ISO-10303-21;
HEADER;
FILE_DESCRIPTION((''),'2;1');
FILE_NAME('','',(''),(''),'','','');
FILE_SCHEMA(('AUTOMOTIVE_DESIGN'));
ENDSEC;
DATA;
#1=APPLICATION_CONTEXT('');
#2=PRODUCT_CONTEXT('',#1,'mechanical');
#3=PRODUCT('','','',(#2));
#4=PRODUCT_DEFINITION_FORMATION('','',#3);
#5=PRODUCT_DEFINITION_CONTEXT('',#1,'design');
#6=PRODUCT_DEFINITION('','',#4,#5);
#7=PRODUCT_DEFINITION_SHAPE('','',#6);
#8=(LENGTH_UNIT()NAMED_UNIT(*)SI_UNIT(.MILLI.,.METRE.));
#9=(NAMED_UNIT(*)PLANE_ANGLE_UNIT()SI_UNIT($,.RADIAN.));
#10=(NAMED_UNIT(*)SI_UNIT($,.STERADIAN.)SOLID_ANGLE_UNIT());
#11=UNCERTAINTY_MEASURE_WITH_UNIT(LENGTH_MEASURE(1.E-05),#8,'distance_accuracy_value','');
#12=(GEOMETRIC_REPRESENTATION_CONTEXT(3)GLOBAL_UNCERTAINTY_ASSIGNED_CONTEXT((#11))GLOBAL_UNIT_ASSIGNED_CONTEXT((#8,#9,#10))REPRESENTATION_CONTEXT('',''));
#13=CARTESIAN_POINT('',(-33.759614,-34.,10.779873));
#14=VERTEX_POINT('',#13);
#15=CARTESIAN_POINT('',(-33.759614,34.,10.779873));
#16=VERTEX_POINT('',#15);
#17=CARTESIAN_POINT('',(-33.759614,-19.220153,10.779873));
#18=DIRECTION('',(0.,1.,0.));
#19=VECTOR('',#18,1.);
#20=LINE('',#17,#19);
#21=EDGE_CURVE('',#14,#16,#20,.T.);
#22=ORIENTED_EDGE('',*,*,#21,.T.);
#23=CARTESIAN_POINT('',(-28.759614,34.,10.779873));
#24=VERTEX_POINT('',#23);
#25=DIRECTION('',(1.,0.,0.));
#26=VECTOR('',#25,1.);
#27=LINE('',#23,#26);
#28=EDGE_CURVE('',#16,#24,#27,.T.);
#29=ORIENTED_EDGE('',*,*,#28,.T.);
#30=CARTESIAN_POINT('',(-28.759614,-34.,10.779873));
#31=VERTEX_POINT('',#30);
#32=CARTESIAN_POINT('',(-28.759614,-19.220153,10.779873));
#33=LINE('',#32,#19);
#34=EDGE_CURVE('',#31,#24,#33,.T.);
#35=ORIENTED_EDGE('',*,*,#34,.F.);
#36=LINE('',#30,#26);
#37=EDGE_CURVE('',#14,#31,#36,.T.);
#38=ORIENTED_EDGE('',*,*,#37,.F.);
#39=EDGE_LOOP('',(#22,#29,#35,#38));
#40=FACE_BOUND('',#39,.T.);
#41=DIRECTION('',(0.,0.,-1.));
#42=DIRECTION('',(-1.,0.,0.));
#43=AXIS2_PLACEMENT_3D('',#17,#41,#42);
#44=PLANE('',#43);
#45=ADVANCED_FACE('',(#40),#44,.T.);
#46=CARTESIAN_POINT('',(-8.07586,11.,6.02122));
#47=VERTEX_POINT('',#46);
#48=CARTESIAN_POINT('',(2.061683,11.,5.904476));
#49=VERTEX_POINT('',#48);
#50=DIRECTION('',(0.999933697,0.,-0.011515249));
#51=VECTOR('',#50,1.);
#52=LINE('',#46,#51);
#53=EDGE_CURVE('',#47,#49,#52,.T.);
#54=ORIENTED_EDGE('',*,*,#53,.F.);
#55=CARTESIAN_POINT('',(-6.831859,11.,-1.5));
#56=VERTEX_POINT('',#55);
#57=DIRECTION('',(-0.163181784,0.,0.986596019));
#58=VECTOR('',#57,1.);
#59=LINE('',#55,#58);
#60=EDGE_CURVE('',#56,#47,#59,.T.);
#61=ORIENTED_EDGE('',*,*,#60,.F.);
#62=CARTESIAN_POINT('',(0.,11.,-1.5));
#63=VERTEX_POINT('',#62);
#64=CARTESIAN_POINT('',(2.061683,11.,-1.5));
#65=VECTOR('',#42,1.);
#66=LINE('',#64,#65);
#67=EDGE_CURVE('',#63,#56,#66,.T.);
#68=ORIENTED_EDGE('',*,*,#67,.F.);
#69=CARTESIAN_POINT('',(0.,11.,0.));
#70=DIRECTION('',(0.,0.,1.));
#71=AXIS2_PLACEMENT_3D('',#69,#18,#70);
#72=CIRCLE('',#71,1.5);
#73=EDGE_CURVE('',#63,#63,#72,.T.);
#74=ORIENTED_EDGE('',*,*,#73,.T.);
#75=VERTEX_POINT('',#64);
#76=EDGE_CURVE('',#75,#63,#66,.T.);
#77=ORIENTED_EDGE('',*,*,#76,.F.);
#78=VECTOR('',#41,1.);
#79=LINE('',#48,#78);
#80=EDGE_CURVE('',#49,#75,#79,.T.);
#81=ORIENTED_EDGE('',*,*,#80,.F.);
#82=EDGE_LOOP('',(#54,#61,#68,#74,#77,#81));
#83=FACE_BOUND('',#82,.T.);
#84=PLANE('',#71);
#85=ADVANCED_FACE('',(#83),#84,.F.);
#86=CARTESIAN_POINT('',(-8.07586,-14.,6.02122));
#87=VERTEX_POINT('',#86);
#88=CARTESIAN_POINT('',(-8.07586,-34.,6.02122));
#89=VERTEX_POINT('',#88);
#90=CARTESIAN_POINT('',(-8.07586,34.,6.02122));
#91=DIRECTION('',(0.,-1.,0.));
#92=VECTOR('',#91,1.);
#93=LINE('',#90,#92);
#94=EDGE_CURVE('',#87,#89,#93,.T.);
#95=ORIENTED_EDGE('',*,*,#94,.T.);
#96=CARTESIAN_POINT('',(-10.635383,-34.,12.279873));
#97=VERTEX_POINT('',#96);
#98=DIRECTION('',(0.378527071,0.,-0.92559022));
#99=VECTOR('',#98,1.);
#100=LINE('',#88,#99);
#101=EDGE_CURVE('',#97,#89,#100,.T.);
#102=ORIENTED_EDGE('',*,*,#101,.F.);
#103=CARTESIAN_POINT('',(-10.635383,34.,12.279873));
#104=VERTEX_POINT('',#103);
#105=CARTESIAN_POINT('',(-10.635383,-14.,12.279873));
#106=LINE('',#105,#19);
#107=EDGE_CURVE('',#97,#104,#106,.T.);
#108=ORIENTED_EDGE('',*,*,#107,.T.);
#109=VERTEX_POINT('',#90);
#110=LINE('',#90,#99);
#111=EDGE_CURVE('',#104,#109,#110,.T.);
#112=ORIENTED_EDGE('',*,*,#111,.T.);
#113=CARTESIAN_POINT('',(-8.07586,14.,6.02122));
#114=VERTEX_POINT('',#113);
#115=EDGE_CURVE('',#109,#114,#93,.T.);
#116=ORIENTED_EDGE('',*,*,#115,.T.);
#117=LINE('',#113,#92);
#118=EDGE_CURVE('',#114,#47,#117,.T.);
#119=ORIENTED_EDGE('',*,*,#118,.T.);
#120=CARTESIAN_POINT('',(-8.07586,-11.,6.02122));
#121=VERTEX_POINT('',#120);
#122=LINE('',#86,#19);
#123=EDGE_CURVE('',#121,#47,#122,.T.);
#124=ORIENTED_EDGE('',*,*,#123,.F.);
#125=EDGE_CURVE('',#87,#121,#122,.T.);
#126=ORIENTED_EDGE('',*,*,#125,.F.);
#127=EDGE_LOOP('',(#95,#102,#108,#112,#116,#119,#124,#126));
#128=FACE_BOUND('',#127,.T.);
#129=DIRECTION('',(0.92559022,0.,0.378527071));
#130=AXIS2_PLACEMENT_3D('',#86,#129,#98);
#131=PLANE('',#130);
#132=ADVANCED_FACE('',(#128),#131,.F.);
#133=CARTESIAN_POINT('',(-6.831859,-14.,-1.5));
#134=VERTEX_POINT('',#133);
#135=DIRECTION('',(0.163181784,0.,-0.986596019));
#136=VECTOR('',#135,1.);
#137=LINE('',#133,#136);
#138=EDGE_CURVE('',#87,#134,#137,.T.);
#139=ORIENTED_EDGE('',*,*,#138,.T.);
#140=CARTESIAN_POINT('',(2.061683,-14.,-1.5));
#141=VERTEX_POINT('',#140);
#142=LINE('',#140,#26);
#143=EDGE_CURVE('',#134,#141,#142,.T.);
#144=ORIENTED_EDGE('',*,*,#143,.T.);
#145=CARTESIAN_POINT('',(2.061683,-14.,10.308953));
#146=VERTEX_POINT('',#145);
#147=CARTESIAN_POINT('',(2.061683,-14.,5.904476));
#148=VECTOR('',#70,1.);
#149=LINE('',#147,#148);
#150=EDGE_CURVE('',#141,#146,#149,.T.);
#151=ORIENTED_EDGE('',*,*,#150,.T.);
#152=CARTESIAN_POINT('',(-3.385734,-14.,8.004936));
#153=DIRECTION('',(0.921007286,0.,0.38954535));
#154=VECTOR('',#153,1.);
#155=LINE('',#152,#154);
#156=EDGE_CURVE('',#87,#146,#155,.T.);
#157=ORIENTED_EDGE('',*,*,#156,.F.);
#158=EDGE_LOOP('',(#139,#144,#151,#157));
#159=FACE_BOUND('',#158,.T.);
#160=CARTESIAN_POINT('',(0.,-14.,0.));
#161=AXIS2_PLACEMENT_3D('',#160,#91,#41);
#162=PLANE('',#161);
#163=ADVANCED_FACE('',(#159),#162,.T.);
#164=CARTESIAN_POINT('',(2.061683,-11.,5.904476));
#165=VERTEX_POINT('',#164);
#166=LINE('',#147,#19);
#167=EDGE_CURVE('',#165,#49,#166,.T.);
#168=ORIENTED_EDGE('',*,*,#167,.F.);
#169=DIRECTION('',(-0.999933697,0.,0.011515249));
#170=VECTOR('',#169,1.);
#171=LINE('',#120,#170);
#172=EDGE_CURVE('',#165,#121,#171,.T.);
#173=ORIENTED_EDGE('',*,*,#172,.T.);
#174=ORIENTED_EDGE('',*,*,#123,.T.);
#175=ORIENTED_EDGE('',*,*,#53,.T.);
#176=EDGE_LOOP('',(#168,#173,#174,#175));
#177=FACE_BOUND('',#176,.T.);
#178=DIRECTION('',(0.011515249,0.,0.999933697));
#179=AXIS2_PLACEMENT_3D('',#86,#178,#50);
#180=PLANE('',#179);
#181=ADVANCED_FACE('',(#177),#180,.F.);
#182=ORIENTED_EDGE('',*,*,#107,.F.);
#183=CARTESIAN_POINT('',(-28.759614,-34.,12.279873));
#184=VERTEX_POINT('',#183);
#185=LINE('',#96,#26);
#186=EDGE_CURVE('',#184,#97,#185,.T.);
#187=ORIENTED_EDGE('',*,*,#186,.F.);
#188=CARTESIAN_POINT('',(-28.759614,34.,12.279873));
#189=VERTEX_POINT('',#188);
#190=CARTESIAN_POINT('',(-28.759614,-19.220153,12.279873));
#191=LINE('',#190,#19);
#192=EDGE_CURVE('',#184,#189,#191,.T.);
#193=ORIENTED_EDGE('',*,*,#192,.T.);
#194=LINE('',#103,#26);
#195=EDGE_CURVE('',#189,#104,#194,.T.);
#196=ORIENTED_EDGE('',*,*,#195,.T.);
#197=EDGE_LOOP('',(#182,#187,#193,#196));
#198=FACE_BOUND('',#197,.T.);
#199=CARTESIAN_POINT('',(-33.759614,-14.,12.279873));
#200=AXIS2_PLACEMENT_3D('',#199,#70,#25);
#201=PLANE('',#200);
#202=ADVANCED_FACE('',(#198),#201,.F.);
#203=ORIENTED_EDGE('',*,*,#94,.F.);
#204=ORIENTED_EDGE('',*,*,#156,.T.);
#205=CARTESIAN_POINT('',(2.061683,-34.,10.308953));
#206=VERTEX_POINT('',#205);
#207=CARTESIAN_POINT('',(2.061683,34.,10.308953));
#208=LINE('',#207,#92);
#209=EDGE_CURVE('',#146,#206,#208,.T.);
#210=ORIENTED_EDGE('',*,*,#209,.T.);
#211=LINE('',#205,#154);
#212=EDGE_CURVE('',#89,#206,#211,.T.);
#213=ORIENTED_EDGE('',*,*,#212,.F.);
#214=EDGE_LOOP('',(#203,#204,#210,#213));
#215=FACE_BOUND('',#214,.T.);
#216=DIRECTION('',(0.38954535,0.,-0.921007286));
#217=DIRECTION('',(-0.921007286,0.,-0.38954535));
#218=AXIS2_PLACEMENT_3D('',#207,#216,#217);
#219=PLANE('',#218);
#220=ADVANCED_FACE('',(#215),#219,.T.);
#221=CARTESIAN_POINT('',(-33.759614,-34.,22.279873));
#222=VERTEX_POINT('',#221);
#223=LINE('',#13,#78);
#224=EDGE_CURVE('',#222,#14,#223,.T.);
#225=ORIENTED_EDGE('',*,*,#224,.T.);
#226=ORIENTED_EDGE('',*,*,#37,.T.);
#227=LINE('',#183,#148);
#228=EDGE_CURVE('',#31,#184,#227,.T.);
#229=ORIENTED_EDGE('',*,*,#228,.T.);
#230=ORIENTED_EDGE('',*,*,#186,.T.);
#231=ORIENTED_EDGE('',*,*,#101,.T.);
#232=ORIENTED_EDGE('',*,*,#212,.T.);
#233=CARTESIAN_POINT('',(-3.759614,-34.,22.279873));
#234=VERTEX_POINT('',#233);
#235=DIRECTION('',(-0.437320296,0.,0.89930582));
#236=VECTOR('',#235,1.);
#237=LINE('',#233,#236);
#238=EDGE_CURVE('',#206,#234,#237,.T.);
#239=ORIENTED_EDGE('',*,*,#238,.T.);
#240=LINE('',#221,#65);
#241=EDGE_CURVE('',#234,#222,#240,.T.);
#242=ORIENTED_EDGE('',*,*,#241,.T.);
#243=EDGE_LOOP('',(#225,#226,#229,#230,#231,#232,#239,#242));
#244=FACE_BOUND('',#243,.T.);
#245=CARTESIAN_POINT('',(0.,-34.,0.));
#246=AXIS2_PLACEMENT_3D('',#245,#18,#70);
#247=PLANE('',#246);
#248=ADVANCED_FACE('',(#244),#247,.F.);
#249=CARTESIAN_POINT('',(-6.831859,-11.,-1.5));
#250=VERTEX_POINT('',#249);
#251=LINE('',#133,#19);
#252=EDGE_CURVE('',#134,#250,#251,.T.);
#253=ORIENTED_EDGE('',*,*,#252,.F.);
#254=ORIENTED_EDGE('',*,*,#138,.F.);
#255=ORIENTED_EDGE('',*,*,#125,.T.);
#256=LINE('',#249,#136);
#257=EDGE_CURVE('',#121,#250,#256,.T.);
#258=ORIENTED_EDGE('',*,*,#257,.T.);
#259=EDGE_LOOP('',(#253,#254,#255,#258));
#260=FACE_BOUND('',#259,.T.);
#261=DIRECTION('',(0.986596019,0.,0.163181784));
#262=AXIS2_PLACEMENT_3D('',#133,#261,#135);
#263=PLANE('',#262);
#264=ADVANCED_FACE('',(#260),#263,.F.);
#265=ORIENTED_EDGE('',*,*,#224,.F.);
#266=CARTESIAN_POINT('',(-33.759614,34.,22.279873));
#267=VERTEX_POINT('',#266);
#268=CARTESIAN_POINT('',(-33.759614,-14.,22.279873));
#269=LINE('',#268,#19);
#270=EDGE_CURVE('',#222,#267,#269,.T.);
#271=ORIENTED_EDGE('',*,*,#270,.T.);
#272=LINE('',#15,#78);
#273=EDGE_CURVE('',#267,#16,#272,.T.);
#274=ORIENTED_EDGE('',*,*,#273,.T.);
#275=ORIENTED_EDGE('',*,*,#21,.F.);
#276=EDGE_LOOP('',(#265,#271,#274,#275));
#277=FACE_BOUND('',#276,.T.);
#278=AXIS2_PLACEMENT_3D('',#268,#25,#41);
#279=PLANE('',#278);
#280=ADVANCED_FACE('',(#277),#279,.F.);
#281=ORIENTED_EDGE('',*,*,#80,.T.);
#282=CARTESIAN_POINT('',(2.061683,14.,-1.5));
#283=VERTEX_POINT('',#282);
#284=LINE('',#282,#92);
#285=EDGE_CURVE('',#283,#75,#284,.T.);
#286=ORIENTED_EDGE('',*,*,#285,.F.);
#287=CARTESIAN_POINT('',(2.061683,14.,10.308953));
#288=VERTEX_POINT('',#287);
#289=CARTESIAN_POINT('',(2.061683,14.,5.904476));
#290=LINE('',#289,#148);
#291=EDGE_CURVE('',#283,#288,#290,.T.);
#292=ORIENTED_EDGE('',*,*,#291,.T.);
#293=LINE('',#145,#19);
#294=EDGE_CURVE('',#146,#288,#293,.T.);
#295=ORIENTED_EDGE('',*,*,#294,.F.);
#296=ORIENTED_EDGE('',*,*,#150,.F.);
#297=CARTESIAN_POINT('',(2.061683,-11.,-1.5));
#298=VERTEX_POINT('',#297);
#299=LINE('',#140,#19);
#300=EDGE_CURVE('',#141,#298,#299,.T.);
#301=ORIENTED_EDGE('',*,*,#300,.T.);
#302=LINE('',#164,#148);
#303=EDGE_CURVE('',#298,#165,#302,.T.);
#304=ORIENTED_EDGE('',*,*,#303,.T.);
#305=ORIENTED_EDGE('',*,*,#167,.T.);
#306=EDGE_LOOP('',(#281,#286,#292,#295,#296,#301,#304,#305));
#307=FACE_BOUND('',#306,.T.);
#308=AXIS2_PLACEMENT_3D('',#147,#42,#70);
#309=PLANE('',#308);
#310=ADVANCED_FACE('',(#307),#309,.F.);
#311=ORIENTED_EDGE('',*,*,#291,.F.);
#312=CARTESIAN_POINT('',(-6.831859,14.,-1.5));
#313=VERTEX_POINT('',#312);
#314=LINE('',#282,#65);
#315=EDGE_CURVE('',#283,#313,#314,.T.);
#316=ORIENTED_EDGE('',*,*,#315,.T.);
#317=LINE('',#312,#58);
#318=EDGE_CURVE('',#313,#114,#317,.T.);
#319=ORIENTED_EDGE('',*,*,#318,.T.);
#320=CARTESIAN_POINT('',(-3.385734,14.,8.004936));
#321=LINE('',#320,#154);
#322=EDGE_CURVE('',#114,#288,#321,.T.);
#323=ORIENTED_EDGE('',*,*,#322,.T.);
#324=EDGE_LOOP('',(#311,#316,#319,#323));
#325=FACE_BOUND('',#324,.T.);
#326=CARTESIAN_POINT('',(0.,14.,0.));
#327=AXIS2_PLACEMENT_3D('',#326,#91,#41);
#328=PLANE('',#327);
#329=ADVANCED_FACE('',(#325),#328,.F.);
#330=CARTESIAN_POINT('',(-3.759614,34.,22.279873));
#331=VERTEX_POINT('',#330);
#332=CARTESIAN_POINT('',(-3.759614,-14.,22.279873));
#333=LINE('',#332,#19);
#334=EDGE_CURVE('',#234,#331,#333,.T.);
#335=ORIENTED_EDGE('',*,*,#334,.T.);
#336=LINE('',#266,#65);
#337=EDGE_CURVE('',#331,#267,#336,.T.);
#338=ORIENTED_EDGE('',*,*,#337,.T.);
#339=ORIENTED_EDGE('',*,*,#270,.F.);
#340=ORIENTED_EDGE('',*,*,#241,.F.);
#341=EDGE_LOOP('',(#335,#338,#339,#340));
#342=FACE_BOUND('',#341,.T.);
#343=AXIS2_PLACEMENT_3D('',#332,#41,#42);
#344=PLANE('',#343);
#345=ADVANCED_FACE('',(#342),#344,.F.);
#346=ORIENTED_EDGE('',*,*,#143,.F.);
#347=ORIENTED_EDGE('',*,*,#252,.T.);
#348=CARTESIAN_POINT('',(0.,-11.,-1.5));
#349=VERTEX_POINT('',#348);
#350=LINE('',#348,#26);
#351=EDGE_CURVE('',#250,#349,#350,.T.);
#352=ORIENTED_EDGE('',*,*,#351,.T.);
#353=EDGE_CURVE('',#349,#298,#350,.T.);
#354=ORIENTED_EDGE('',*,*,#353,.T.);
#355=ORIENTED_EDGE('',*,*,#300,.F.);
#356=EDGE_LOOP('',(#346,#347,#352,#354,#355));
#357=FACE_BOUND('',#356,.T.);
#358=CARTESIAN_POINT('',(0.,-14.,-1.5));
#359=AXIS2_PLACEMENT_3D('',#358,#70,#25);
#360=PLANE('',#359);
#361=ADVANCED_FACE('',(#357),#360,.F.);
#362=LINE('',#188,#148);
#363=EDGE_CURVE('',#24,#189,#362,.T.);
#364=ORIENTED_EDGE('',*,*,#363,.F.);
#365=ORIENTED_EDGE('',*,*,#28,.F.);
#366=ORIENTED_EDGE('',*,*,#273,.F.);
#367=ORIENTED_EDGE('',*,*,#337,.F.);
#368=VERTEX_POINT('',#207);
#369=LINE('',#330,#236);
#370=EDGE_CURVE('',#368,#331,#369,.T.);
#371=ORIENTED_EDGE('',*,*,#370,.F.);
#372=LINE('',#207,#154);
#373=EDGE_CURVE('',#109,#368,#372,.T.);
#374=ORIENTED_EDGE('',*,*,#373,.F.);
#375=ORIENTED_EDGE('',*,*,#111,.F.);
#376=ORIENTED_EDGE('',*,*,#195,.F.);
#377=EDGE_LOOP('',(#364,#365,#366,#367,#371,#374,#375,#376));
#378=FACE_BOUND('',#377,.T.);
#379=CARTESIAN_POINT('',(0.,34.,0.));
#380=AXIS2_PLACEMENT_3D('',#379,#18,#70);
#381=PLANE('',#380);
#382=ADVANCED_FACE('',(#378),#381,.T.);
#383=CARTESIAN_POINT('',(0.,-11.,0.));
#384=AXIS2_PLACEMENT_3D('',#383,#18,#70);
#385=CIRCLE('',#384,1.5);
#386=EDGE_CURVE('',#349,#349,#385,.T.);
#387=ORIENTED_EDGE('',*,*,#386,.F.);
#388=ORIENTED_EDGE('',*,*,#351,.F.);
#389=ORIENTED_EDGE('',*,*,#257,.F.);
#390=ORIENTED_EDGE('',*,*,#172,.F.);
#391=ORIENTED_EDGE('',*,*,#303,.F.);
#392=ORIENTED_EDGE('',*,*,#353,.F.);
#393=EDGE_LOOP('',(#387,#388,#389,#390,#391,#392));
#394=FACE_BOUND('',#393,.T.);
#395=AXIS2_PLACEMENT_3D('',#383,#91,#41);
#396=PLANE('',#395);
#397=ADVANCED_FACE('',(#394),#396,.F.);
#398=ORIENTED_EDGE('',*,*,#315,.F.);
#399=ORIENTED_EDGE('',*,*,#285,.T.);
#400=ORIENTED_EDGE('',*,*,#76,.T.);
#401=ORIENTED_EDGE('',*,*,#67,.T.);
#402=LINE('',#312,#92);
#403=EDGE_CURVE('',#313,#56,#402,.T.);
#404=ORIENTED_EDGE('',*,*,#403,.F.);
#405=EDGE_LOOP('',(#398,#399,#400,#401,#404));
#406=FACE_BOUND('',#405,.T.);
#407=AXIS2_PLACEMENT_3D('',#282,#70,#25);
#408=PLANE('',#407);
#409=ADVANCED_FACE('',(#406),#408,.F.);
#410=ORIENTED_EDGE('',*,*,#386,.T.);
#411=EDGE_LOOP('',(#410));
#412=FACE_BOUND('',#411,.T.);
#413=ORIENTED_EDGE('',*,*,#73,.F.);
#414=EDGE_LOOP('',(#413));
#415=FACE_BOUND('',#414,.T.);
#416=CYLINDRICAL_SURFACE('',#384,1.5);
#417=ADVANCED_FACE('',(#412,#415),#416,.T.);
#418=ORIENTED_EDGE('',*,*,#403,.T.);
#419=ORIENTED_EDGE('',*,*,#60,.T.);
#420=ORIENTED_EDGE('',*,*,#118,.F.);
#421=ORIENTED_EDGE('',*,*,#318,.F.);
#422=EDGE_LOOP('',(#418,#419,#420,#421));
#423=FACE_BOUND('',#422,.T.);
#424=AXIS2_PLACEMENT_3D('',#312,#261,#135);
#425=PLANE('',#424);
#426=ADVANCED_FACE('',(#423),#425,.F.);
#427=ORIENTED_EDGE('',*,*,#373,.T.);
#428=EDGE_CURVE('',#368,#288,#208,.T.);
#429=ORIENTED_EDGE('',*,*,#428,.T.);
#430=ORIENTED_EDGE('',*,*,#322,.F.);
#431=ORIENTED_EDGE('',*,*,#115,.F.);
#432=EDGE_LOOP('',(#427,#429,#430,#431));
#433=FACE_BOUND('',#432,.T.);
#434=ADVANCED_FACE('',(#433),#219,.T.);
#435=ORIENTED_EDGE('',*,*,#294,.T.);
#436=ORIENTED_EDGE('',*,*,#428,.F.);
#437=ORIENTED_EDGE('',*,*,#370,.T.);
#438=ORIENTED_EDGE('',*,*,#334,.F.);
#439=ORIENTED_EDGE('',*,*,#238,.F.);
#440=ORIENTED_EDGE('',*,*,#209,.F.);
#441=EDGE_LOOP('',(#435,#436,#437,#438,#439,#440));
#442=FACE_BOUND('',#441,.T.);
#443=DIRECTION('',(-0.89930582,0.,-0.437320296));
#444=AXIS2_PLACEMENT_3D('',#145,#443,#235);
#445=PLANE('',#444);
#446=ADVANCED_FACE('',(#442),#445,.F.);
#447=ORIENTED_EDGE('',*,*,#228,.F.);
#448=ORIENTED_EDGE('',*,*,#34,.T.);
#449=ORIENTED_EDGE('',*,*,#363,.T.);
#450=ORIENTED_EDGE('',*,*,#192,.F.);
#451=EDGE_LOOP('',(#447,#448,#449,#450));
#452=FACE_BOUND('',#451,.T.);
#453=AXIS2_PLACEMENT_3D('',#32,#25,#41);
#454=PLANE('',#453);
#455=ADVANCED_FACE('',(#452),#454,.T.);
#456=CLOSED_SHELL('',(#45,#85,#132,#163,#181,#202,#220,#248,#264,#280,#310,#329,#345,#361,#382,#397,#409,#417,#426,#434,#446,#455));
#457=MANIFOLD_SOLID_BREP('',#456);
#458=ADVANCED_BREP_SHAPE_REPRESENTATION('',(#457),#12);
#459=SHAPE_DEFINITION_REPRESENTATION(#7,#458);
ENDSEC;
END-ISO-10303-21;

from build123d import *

# Parameters (mm, degrees)
BOSS_EXTRU_1_DEPTH      = 11
BOSS_EXTRU_1_DEPTH_BACK = 11
ESQUISSE1_R             = 1.5
BOSS_EXTRU_3_DEPTH      = 3
BOSS_EXTRU_3_DEPTH_BACK = 25
BOSS_EXTRU_4_DEPTH      = 3
BOSS_EXTRU_5_DEPTH      = 3
ESQUISSE5_W             = 5
ESQUISSE5_H             = 2
ENL_V_MAT_EXTRU_1_DEPTH = 39
ESQUISSE6_W             = 5
ESQUISSE6_H             = 1.5
BOSS_EXTRU_6_DEPTH      = 28
BOSS_EXTRU_7_DEPTH      = 20
BOSS_EXTRU_7_DEPTH_BACK = 48


with BuildPart() as part:
    # Esquisse1 → Boss.-Extru.1 (new, two sides: drawn at the far end of the back side and taken through both)
    with BuildSketch(Plane(origin=(0, 0, 0), x_dir=(1, 0, 0), z_dir=(0, 1, 0)).offset(-BOSS_EXTRU_1_DEPTH_BACK)):
        with Locations(Location((0, 0, 0), (0, 0, 270))):
            Circle(ESQUISSE1_R)
    extrude(amount=BOSS_EXTRU_1_DEPTH + BOSS_EXTRU_1_DEPTH_BACK)



with BuildPart() as body_2:
    # Esquisse2 → Boss.-Extru.3 (new, two sides: drawn at the far end of the back side and taken through both)
    with BuildSketch(Plane.XZ.offset(11).offset(-BOSS_EXTRU_3_DEPTH_BACK)):
        Polygon((2.061683226, 10.308952687), (-3.759613912, 22.279872949), (-33.759613912, 22.279872949), (-33.759613912, 12.279872949), (-28.759613912, 12.279872949), (-28.759613912, 10.279872949), (-23.759613912, 10.279872949), (-23.759613912, 12.279872949), (-10.635382522, 12.279872949), (-8.075859571, 6.021220419), (2.061683226, 5.904476344), align=None)
    extrude(amount=BOSS_EXTRU_3_DEPTH + BOSS_EXTRU_3_DEPTH_BACK)


with BuildPart() as part_1:
    add(part.part)

    add(body_2.part)  # Boss.-Extru.4 merges body 2
    # Esquisse3 → Boss.-Extru.4 (add)
    with BuildSketch(Plane.XZ.offset(11)):
        Polygon((0, -1.5), (-6.831858839, -1.5), (-8.075859571, 6.021220419), (2.061683226, 5.904476344), (2.061683226, -1.5), align=None)
    extrude(amount=BOSS_EXTRU_4_DEPTH)

    # Esquisse4 → Boss.-Extru.5 (add)
    with BuildSketch(Plane(origin=(0, 11, 0), x_dir=(1, 0, 0), z_dir=(0, 1, 0))):
        Polygon((2.061683226, 1.5), (-6.831858839, 1.5), (-8.075859571, -6.021220419), (2.061683226, -5.904476344), align=None)
    extrude(amount=BOSS_EXTRU_5_DEPTH)

    # Esquisse5 → Enlèv. mat.-Extru.1 (cut)
    with BuildSketch(Plane(origin=(0, 14, 0), x_dir=(1, 0, 0), z_dir=(0, 1, 0))):
        with Locations((-26.259613912, -11.279872949)):
            Rectangle(ESQUISSE5_W, ESQUISSE5_H)
    extrude(amount=-ENL_V_MAT_EXTRU_1_DEPTH, mode=Mode.SUBTRACT)

    # Esquisse6 → Boss.-Extru.6 (add)
    with BuildSketch(Plane(origin=(0, 14, 0), x_dir=(1, 0, 0), z_dir=(0, 1, 0))):
        with Locations((-31.259613912, -11.529872949)):
            Rectangle(ESQUISSE6_W, ESQUISSE6_H)
    extrude(amount=-BOSS_EXTRU_6_DEPTH)

    # Esquisse7 → Boss.-Extru.7 (add, two sides: drawn at the far end of the back side and taken through both)
    with BuildSketch(Plane.XZ.offset(14).offset(-BOSS_EXTRU_7_DEPTH_BACK)):
        Polygon((2.061683226, 10.308952687), (-8.075859571, 6.021220419), (-10.635382522, 12.279872949), (-28.759613912, 12.279872949), (-28.759613912, 10.779872949), (-33.759613912, 10.779872949), (-33.759613912, 22.279872949), (-3.759613912, 22.279872949), align=None)
    extrude(amount=BOSS_EXTRU_7_DEPTH + BOSS_EXTRU_7_DEPTH_BACK)


solid = part_1.part
